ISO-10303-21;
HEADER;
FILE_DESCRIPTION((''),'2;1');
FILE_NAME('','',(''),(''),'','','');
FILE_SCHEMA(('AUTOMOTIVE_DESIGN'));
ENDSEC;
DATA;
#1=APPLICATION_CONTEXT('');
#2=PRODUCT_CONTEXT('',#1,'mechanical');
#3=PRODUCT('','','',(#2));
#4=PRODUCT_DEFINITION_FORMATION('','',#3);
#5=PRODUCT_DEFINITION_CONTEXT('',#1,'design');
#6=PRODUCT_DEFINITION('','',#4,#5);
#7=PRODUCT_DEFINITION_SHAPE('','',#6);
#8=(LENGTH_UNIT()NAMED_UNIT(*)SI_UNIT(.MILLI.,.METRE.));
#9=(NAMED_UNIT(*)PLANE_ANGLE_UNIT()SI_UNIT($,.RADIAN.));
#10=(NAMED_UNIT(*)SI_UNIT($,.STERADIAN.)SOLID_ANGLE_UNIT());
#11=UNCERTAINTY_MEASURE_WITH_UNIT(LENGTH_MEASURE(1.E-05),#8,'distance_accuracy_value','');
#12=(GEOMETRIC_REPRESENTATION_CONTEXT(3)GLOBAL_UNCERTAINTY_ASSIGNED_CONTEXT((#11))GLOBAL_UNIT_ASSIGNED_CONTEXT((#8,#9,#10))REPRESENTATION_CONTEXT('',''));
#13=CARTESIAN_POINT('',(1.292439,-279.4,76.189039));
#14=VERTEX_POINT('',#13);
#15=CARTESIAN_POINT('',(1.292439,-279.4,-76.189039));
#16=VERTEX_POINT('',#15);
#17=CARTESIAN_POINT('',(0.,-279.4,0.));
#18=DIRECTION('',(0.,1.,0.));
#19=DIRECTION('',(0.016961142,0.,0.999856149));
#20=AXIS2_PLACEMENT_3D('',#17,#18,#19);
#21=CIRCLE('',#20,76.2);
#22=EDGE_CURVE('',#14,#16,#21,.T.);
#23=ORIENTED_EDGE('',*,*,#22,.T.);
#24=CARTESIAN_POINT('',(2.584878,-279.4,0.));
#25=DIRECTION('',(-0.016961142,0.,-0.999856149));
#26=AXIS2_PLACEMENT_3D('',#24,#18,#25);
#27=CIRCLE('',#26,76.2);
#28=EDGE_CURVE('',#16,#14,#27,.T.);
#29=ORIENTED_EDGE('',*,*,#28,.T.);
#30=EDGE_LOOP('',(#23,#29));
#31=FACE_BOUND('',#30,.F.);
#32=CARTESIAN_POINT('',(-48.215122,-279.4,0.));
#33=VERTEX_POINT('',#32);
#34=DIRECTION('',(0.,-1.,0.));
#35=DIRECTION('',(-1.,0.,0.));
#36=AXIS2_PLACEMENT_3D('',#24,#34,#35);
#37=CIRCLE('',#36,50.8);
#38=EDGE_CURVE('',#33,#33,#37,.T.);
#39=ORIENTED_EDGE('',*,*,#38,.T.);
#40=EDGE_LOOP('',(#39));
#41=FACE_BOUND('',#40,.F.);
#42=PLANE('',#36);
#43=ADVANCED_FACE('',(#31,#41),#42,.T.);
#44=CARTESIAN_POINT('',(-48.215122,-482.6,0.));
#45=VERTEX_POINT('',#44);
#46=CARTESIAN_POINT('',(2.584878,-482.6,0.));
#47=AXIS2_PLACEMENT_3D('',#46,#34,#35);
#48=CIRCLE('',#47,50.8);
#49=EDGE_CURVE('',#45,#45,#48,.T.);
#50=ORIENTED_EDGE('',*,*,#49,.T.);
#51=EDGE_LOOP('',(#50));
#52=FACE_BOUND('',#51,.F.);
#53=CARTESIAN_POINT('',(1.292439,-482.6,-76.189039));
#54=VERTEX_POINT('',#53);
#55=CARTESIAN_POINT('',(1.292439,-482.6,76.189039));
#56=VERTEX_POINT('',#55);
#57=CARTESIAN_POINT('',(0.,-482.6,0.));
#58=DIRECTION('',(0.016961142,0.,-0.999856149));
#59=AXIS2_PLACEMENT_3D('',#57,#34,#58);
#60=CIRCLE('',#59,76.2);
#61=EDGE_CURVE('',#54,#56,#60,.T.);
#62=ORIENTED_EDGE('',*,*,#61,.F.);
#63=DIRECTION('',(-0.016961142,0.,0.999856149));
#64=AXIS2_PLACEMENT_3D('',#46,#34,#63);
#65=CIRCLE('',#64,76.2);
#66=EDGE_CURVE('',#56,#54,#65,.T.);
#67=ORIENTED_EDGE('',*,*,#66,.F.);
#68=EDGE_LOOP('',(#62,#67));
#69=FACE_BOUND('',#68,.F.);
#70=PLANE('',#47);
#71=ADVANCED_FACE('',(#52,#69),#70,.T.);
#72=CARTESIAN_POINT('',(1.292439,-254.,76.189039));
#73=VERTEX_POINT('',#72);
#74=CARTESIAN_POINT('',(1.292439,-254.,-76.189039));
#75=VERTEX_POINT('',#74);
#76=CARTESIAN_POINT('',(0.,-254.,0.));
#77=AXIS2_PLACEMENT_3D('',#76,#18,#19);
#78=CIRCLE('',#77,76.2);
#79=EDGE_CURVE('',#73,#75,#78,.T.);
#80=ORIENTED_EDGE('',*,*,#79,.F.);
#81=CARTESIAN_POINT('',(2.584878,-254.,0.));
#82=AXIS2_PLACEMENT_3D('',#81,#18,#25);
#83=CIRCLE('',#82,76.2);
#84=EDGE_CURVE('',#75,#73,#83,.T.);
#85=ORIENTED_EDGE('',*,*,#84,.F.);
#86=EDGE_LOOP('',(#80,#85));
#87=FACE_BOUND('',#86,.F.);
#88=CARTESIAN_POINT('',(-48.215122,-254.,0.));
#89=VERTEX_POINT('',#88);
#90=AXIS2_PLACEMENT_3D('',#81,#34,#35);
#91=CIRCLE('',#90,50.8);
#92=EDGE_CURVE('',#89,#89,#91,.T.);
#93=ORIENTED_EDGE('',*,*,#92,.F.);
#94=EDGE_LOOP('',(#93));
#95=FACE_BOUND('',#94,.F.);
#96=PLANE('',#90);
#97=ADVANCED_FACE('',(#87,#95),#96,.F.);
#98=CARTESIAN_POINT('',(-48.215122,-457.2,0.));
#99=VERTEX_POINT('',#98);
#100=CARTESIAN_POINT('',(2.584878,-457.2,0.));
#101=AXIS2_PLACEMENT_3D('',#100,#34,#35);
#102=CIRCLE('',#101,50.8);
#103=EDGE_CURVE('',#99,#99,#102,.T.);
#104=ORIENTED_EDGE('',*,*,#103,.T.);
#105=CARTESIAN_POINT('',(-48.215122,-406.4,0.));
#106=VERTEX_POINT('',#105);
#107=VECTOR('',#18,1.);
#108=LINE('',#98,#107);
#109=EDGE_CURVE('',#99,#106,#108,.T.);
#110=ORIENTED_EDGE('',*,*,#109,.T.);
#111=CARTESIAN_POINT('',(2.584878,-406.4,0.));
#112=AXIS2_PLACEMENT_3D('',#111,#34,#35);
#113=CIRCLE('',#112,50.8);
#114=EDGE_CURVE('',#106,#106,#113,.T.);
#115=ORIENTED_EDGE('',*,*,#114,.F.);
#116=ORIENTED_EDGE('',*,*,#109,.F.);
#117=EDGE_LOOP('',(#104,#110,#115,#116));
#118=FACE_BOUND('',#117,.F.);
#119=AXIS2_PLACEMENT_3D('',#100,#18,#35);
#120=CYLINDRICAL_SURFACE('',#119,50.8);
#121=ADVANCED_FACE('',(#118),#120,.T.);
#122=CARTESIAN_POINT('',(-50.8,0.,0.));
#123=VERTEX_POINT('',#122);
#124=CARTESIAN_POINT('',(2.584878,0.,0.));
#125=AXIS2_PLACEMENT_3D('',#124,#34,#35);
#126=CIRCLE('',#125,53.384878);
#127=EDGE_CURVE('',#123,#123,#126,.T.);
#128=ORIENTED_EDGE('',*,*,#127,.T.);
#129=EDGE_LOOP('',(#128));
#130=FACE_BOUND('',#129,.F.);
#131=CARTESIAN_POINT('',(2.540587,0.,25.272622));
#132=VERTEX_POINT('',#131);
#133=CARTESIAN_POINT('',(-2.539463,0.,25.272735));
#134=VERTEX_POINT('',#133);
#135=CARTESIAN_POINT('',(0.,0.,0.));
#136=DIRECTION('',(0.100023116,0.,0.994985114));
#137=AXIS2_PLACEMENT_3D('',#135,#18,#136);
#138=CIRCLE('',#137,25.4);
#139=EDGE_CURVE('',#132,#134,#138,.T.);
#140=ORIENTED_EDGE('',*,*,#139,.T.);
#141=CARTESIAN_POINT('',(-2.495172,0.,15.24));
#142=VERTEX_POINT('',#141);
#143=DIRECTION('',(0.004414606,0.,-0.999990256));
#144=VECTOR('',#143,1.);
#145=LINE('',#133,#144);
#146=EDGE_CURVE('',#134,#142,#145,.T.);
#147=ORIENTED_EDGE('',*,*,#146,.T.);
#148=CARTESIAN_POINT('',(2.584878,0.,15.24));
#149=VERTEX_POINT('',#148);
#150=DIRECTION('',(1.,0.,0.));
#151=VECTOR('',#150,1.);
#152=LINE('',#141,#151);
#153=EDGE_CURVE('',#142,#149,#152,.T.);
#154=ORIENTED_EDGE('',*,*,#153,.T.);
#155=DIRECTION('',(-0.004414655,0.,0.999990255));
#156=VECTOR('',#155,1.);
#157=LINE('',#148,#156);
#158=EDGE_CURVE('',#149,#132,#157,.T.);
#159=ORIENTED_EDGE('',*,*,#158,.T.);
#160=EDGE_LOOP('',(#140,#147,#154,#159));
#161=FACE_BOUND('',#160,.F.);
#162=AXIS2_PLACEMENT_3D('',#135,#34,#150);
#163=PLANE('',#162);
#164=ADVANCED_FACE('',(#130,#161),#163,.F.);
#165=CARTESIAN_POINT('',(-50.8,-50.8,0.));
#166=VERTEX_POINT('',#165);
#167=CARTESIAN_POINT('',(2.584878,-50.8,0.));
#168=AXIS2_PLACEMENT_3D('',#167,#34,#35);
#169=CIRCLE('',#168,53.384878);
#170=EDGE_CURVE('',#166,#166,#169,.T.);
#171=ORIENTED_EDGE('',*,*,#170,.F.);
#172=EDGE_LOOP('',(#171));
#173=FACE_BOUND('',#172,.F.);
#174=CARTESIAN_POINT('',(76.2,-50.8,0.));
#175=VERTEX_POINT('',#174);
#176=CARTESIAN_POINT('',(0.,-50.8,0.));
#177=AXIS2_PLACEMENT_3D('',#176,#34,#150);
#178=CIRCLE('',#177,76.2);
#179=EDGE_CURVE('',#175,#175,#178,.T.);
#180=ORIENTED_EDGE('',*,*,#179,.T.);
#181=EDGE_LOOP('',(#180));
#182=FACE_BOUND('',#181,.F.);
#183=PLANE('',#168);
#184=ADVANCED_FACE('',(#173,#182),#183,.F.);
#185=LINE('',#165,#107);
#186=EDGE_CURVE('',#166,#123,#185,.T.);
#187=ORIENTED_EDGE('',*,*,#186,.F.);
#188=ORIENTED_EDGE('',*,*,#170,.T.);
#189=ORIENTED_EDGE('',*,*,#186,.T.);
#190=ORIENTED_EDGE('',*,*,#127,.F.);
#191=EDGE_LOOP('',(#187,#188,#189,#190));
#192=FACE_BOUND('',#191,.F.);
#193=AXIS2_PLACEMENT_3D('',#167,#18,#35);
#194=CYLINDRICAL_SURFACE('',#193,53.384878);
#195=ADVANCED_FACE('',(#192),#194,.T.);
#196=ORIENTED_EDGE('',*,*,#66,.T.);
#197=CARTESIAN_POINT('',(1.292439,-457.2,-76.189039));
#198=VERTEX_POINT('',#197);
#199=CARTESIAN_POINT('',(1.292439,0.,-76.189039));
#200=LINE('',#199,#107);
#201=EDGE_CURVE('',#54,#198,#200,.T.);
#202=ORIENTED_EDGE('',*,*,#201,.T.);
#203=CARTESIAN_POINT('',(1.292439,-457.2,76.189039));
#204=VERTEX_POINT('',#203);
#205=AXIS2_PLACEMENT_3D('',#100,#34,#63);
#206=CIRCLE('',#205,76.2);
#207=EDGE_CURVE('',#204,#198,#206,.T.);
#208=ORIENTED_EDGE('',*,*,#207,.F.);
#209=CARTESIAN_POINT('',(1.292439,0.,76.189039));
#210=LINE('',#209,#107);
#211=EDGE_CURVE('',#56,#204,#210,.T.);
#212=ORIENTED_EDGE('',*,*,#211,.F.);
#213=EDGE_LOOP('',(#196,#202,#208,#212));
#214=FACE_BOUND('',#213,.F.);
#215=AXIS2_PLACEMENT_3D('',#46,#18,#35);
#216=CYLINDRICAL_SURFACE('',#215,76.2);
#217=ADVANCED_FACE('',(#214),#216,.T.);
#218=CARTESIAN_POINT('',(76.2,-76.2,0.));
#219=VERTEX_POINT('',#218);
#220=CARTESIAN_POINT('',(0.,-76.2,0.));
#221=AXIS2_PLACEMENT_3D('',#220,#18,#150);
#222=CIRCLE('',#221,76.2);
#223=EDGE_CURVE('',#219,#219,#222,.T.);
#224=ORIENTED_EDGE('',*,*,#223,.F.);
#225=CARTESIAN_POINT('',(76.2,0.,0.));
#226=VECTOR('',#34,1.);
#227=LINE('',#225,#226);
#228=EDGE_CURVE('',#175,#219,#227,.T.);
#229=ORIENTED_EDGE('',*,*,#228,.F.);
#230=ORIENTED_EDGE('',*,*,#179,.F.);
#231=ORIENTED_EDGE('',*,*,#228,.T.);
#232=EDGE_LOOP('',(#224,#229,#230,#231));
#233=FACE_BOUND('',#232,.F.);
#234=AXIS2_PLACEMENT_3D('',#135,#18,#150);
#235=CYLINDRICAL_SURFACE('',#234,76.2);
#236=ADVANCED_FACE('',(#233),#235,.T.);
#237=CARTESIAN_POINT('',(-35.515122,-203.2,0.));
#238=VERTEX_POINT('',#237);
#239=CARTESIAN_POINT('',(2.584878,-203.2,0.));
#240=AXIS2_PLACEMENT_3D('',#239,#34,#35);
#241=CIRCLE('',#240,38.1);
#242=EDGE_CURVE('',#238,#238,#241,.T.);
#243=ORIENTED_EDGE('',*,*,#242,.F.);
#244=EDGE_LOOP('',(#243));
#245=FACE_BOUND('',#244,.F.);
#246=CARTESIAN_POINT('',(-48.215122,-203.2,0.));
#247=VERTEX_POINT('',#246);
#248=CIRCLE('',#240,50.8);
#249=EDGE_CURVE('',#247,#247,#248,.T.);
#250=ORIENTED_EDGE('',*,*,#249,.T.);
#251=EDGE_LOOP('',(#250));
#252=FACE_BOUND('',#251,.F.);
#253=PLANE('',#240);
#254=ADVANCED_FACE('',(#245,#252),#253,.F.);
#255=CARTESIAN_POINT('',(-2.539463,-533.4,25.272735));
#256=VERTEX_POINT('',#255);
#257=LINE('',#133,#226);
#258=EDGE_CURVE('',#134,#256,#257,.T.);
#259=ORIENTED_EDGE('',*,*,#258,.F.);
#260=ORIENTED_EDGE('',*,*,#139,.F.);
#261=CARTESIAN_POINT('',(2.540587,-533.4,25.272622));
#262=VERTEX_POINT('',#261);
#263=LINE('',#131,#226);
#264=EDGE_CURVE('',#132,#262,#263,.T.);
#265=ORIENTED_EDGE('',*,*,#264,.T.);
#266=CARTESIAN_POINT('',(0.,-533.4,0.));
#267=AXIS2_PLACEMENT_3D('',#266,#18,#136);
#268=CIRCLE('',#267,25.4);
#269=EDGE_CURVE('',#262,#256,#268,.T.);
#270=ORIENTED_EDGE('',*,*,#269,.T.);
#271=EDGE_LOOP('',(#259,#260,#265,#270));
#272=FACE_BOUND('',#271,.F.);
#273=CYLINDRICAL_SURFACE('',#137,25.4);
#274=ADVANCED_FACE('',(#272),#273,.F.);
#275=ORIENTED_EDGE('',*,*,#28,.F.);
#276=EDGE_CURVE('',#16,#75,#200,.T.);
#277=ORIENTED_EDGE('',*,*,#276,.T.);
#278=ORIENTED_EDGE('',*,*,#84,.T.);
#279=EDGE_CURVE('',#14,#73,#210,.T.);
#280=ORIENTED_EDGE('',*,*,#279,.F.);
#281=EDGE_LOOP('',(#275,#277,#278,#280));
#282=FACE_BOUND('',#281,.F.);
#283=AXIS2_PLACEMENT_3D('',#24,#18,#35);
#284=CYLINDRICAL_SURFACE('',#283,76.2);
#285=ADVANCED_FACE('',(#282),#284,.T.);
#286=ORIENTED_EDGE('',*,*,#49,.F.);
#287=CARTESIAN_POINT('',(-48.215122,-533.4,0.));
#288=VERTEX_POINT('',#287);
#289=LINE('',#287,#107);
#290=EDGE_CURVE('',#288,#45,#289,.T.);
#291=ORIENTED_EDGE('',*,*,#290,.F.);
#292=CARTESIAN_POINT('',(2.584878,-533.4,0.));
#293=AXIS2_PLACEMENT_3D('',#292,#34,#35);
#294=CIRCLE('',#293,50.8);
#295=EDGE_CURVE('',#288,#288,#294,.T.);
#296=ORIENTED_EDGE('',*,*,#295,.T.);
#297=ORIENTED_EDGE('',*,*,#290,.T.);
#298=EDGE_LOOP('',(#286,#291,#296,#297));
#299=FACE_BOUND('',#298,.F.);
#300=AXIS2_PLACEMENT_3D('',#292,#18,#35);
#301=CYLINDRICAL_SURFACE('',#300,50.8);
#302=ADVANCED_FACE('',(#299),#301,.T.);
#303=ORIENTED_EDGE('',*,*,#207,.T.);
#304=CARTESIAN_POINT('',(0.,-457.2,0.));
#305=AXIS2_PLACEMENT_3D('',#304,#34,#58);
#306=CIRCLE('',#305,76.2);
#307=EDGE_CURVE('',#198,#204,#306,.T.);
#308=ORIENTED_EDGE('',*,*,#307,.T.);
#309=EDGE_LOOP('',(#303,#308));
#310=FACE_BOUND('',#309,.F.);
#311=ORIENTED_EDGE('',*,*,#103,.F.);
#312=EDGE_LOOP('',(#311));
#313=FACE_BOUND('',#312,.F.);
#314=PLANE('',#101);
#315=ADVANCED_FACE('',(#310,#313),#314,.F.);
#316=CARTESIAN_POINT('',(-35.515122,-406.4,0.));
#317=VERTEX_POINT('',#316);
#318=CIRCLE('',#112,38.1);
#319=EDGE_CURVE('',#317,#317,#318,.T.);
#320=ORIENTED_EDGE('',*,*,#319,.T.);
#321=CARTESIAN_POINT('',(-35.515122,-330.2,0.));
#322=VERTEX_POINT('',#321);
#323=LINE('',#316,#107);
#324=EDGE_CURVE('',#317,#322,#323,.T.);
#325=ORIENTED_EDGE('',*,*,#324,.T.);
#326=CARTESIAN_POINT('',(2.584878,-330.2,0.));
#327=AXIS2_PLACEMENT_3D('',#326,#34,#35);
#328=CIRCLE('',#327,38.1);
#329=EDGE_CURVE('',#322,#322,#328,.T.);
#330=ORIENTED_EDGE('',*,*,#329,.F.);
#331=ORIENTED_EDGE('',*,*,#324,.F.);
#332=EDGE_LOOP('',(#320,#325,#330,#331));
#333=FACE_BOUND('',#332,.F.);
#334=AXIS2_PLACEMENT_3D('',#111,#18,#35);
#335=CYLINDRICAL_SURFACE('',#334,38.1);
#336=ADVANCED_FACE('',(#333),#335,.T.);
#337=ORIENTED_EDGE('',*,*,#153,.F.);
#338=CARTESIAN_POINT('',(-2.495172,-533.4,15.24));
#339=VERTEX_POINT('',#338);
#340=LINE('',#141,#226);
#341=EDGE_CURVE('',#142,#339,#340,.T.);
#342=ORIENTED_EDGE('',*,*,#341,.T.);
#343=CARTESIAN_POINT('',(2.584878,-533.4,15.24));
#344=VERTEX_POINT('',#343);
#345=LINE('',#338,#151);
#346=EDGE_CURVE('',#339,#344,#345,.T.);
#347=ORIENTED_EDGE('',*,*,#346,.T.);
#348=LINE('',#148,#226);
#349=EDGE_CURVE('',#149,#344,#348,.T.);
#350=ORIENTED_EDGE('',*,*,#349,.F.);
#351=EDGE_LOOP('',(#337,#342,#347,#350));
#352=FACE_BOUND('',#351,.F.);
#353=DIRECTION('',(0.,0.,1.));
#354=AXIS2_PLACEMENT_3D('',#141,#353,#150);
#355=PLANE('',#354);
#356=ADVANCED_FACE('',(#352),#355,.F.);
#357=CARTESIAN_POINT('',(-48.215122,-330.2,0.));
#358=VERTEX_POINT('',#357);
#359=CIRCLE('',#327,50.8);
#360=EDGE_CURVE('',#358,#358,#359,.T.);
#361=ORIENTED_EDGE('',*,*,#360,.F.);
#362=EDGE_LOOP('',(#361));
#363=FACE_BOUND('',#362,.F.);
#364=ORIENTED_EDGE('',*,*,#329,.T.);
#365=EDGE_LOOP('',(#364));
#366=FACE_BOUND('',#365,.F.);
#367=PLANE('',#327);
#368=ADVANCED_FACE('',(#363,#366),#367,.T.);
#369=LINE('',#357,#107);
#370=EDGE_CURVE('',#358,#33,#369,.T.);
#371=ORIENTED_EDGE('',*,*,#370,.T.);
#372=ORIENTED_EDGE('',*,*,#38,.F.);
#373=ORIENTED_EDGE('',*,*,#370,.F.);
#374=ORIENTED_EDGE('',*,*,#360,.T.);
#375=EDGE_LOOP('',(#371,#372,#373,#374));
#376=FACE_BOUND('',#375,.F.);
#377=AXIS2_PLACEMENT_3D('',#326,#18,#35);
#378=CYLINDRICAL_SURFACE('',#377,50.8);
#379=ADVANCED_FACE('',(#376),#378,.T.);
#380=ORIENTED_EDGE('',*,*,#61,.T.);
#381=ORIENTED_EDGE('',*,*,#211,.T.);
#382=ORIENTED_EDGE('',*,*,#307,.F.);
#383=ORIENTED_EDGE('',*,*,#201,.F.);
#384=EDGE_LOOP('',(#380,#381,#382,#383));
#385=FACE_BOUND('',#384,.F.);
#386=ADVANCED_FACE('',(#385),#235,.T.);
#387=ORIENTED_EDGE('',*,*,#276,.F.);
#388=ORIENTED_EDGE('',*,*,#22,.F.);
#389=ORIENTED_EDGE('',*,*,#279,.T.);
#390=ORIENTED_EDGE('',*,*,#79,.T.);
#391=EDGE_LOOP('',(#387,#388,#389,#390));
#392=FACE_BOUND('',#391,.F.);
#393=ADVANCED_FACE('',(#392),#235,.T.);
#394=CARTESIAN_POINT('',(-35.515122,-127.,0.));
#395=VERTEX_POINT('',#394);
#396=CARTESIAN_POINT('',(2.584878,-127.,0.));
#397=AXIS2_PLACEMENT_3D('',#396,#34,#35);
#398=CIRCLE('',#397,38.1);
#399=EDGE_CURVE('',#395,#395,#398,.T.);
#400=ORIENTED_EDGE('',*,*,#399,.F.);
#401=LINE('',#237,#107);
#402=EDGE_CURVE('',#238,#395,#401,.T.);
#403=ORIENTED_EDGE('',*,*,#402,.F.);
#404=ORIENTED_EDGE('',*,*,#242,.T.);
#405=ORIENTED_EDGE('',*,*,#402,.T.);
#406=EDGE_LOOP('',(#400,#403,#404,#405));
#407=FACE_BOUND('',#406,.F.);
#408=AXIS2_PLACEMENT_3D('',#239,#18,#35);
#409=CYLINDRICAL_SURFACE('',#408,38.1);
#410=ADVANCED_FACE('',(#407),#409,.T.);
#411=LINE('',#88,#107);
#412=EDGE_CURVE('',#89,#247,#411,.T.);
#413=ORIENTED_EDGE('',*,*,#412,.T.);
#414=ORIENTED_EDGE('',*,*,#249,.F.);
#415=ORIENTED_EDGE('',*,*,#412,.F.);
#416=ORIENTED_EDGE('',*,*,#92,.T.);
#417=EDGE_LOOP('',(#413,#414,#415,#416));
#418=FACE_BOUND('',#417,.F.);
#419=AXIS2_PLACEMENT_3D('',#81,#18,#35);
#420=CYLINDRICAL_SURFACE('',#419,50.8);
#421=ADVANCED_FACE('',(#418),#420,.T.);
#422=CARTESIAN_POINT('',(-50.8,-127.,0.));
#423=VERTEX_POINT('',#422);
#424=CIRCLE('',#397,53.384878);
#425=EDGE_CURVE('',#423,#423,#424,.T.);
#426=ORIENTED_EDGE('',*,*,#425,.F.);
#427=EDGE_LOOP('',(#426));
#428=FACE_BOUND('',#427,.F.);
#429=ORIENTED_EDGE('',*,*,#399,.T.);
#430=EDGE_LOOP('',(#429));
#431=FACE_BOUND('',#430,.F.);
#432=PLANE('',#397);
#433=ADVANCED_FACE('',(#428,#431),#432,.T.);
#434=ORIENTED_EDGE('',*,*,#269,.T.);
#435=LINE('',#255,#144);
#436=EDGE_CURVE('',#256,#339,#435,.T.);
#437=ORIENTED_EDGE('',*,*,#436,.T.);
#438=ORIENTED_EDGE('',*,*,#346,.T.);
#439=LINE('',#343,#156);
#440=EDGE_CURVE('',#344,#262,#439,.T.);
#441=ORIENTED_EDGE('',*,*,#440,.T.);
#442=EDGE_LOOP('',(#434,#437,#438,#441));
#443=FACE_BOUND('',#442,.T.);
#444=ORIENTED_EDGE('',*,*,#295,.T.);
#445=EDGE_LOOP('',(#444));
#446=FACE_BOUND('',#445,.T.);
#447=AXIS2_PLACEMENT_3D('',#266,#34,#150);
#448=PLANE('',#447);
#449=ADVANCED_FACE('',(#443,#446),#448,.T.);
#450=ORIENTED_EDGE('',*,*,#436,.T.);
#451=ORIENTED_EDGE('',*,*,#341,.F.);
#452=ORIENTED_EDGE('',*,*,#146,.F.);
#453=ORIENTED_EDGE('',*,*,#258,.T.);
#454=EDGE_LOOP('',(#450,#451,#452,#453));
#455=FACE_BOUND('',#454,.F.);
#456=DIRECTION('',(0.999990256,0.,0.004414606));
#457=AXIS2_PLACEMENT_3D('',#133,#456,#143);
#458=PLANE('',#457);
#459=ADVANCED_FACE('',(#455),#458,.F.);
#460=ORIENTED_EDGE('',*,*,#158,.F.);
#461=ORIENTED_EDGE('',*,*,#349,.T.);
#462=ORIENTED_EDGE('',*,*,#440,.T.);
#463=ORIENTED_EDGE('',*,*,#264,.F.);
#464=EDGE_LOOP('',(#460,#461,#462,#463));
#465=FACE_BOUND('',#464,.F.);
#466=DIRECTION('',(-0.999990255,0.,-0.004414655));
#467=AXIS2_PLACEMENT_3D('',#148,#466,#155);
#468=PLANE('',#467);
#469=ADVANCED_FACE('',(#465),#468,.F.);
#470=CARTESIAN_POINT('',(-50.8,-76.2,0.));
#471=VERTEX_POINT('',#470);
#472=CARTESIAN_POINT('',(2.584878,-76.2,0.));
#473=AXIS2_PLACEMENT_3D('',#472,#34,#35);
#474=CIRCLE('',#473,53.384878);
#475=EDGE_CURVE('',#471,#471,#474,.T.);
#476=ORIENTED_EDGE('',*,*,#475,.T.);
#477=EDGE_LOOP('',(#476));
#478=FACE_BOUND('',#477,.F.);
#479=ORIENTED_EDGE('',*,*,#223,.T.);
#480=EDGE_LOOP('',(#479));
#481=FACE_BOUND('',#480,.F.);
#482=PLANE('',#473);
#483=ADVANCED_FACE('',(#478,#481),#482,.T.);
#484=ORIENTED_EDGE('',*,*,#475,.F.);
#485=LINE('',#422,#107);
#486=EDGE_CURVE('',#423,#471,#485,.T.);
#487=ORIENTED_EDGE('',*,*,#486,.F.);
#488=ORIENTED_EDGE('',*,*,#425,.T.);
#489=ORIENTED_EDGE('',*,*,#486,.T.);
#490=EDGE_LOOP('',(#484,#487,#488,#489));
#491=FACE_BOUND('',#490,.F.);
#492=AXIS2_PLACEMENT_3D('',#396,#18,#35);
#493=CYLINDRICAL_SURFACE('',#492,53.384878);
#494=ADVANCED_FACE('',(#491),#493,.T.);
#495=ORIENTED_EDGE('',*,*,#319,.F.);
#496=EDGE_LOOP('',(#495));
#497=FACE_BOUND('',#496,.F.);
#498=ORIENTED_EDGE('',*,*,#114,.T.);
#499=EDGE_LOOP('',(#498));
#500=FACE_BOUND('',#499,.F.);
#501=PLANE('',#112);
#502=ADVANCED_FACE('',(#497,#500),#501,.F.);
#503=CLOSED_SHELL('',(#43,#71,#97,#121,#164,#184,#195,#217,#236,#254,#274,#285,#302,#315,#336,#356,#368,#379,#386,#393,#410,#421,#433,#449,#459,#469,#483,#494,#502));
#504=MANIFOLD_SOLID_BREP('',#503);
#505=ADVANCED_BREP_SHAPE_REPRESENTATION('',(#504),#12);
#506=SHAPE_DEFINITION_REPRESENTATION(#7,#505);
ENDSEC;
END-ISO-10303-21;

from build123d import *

# Parameters (mm, degrees)
F0_R     = 76.2
F1_DEPTH = 533.4


with BuildPart() as f1:
    # F0 (on Front) → F1 (new body)
    with BuildSketch(Plane.XZ):
        Circle(F0_R)
        with BuildLine():
            ThreePointArc((2.540587, 25.272622), (-0.000565, -25.4), (-2.539463, 25.272735))
            Line((-2.539463, 25.272735), (-2.495172, 15.24))
            Line((-2.495172, 15.24), (2.584878, 15.24))
            Line((2.584878, 15.24), (2.540587, 25.272622))
        make_face(mode=Mode.SUBTRACT)
    extrude(amount=F1_DEPTH)

    # F2 (on Top) → F3 (revolve, cut)
    with BuildSketch(Plane.XY):
        Polygon((-50.8, -50.8), (-50.8, 0), (-89.3064, 0), (-89.3064, -127), (-89.3064, -203.2), (-89.3064, -330.2), (-86.315122, -406.4), (-86.315122, -533.4), (-48.215122, -533.4), (-48.215122, -482.6), (-73.615122, -482.6), (-73.615122, -457.2), (-48.215122, -457.2), (-48.215122, -406.4), (-35.515122, -406.4), (-35.515122, -330.2), (-48.215122, -330.2), (-48.215122, -279.4), (-73.615122, -279.4), (-73.615122, -254), (-48.215122, -254), (-48.215122, -203.2), (-35.515122, -203.2), (-35.515122, -127), (-50.8, -127), (-50.8, -76.2), (-76.2, -76.2), (-76.2, -50.8), align=None)
    revolve(axis=Axis((2.584878, -165.1, 0), (0, -1, 0)), mode=Mode.SUBTRACT)


solid = f1.part
